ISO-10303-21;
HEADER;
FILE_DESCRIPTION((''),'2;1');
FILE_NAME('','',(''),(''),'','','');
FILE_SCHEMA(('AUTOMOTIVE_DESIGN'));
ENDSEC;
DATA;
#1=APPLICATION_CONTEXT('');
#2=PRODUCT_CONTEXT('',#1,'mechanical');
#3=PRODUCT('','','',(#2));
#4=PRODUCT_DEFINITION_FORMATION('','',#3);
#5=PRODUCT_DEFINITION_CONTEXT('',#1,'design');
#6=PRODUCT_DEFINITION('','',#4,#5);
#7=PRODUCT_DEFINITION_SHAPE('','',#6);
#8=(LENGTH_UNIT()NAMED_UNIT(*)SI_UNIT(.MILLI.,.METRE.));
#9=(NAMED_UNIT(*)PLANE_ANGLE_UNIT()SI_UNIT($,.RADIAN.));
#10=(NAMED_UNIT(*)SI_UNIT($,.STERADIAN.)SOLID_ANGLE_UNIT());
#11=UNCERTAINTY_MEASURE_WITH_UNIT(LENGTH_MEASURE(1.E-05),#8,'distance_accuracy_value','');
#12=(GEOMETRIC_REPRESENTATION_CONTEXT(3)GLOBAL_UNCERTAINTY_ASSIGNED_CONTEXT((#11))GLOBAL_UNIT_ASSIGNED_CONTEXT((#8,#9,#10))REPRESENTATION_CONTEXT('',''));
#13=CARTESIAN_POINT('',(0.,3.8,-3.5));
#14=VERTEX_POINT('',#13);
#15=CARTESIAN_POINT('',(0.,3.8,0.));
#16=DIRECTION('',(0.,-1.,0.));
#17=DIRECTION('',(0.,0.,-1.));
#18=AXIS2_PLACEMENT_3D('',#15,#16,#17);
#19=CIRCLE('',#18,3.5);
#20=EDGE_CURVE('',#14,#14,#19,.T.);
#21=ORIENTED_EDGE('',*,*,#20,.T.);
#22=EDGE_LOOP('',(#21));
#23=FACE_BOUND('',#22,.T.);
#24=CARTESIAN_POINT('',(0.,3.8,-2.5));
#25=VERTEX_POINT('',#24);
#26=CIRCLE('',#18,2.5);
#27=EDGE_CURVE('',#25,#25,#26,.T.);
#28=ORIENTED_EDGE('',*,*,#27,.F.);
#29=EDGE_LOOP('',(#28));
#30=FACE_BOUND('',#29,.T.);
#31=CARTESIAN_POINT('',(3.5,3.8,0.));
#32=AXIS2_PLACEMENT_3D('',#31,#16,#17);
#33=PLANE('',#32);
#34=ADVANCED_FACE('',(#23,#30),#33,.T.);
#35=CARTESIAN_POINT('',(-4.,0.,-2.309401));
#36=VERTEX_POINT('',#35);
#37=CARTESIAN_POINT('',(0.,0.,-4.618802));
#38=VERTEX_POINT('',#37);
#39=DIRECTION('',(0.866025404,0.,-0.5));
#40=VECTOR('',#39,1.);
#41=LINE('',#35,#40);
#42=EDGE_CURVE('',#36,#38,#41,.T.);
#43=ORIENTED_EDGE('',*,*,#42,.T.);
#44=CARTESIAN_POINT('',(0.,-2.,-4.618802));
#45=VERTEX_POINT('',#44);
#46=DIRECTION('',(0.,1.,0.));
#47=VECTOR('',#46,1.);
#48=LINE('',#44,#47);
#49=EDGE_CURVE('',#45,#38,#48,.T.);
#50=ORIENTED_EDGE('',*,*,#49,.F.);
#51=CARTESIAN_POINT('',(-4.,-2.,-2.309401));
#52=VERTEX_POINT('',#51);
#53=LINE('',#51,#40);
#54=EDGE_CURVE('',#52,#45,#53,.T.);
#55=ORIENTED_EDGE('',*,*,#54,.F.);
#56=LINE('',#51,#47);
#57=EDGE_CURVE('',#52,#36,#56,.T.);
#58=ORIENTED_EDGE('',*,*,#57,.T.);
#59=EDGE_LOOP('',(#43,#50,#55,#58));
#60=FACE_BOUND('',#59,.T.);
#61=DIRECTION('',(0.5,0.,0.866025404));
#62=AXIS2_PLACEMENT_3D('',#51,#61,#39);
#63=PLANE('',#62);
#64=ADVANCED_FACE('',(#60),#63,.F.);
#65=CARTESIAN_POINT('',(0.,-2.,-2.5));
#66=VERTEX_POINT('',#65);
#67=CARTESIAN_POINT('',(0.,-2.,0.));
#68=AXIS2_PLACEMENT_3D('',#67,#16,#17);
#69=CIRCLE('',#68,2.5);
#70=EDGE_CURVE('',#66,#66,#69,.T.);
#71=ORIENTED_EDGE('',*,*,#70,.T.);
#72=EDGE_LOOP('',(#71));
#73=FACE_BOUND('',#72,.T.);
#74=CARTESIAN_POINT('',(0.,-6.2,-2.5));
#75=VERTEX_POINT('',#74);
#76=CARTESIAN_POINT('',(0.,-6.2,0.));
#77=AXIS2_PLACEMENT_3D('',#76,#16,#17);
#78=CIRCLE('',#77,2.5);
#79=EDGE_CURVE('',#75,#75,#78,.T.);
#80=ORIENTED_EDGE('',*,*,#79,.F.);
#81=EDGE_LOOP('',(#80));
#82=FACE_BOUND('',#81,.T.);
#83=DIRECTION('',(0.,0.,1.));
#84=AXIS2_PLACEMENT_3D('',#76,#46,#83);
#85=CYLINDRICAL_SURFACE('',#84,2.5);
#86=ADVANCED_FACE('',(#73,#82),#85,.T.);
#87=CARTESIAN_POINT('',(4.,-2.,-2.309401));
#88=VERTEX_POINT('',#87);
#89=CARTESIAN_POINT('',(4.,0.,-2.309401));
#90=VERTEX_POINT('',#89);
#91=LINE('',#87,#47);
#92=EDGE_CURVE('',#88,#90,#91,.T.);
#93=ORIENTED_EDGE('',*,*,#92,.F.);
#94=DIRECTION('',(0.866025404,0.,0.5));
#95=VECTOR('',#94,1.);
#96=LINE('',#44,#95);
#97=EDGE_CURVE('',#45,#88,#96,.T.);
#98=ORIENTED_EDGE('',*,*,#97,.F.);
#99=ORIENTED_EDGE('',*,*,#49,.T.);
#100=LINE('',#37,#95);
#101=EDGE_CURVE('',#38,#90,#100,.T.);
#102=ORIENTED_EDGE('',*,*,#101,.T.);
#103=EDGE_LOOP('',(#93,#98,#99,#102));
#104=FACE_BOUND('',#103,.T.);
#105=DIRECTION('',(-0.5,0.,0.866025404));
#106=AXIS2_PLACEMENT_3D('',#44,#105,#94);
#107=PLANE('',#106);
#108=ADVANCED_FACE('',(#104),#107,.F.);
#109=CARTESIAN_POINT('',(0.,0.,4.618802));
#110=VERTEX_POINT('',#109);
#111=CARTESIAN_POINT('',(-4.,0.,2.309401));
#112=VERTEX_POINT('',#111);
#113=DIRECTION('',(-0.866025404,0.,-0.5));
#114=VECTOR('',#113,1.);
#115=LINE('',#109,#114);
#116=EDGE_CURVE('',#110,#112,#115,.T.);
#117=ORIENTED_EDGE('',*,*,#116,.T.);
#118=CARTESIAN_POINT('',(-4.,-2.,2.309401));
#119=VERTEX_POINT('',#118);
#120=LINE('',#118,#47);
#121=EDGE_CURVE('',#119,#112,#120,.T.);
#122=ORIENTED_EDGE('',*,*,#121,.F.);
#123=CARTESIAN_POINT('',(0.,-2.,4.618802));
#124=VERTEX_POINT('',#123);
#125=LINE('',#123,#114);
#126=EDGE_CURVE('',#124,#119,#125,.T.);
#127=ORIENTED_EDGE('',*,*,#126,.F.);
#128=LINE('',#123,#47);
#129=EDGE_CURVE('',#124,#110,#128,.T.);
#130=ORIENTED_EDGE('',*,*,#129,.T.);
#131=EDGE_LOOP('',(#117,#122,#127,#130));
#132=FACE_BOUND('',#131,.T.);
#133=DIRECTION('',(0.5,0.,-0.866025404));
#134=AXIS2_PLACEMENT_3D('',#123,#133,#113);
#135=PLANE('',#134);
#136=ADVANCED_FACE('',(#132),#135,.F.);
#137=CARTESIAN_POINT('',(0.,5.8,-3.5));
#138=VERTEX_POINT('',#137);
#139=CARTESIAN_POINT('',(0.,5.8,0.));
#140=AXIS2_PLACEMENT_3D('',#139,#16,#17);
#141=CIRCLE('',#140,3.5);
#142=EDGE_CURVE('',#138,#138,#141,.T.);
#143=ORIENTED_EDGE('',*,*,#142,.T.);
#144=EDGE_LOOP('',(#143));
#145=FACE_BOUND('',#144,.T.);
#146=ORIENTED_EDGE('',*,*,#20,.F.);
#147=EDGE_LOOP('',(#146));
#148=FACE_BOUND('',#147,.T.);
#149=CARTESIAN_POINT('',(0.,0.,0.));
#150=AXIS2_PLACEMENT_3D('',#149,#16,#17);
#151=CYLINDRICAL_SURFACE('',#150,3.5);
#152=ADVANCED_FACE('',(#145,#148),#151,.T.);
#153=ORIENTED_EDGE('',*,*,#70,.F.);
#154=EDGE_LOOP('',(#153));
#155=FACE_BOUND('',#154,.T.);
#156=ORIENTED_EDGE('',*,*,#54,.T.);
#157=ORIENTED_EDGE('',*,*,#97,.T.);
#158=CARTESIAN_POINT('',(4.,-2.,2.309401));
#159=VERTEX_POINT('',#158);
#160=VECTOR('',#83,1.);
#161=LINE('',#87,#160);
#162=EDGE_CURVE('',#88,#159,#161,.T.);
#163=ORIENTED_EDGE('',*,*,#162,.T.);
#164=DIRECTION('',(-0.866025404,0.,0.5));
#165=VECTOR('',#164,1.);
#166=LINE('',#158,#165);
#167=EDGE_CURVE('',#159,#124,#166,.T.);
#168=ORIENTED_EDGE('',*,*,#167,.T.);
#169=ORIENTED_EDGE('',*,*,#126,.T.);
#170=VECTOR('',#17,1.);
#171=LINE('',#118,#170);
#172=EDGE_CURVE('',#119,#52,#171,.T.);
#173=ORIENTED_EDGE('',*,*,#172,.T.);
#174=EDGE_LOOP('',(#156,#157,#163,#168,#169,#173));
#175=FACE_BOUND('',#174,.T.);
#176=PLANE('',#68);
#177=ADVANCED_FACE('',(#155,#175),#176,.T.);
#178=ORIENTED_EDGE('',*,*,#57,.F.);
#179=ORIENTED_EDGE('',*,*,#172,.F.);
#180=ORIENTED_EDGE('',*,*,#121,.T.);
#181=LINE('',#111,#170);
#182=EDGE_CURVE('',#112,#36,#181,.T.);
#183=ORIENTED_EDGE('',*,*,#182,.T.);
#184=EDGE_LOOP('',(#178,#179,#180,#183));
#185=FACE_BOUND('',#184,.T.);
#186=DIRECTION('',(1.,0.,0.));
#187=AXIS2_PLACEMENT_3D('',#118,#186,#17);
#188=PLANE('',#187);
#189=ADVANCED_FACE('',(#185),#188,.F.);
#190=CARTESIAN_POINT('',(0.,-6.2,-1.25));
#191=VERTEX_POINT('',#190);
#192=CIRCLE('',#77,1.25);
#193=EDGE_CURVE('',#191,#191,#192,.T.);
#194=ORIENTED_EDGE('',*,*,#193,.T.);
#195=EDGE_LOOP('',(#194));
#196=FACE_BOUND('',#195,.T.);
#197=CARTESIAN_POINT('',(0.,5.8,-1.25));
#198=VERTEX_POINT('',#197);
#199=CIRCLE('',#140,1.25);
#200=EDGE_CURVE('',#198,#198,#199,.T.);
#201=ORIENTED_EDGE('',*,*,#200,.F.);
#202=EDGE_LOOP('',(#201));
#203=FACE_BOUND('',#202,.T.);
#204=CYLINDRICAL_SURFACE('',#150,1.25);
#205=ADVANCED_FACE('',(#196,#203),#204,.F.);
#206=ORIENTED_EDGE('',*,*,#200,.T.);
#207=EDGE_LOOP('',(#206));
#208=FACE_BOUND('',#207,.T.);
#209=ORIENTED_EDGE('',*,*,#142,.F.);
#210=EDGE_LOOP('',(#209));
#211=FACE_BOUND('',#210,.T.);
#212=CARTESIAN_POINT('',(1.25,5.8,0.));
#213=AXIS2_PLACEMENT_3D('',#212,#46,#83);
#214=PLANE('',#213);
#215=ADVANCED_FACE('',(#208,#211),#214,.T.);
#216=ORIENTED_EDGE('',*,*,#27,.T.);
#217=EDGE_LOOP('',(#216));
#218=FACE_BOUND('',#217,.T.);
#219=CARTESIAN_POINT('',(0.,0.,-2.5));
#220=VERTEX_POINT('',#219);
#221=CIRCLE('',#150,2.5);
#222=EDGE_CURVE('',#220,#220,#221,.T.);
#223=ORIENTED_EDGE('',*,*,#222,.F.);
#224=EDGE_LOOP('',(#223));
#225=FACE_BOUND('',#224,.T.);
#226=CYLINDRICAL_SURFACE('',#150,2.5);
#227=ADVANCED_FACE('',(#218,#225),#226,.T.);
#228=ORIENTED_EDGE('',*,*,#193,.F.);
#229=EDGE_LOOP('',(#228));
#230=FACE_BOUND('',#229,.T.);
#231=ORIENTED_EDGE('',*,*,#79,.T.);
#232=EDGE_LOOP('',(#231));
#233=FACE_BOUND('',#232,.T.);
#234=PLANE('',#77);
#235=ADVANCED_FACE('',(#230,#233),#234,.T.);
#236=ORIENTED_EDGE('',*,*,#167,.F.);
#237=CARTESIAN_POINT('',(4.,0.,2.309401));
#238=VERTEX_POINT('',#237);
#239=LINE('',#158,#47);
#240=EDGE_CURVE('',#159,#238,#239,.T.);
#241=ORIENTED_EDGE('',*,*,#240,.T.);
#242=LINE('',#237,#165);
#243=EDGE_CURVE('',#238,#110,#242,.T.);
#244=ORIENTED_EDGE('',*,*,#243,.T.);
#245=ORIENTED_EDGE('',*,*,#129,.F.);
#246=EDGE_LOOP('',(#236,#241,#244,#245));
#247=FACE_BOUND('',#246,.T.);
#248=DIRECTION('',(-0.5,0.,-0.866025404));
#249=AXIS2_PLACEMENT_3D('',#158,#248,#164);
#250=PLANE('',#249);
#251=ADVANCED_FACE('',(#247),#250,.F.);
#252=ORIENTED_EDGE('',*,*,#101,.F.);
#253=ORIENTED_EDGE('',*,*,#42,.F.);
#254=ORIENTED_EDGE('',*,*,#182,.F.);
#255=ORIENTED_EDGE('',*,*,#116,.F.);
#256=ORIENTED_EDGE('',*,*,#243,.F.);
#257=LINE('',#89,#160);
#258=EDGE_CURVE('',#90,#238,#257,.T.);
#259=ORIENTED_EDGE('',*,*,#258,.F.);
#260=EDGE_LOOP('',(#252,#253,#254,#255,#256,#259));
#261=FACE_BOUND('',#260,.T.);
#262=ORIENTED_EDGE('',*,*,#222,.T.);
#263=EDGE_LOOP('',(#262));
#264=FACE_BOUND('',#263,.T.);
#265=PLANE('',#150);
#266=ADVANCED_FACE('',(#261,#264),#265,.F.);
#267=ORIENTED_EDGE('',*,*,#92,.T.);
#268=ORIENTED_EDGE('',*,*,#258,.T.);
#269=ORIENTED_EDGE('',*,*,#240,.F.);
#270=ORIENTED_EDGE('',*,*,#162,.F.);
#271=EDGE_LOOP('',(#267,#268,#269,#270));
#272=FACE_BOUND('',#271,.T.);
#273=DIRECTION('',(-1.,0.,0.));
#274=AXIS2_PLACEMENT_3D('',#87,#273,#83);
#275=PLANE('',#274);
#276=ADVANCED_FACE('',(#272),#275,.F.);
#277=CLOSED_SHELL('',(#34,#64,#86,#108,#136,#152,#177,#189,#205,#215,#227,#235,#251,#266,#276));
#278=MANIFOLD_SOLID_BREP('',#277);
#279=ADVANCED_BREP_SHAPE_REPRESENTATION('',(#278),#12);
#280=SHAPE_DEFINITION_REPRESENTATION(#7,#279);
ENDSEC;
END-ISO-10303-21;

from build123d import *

# Parameters (mm, degrees)
ESQUISSE2_R        = 1.25
BOSS_EXTRU_1_DEPTH = 2
ESQUISSE3_R        = 2.5
ESQUISSE3_R_2      = 1.25
BOSS_EXTRU_2_DEPTH = 4.2


with BuildPart() as part:
    # Esquisse1 → Révolution1 (revolve)
    with BuildSketch(Plane.XY, mode=Mode.PRIVATE) as r_volution1_sk:
        Polygon((1.25, 0), (1.25, 5.8), (3.5, 5.8), (3.5, 3.8), (2.5, 3.8), (2.5, 0), align=None)
    revolve(r_volution1_sk.sketch.rotate(Axis((0, 0, 0), (0, 1, 0)), 90), axis=Axis((0, 0, 0), (0, 1, 0)))

    # Esquisse2 → Boss.-Extru.1 (add)
    with BuildSketch(Plane.XZ):
        Polygon((4, 2.309401077), (0, 4.618802154), (-4, 2.309401077), (-4, -2.309401077), (0, -4.618802154), (4, -2.309401077), align=None)
        with Locations(Location((0, 0, 0), (0, 0, 270))):
            Circle(ESQUISSE2_R, mode=Mode.SUBTRACT)
    extrude(amount=BOSS_EXTRU_1_DEPTH)

    # Esquisse3 → Boss.-Extru.2 (add)
    with BuildSketch(Plane.XZ.offset(2)):
        with Locations(Location((0, 0, 0), (0, 0, 270))):
            Circle(ESQUISSE3_R)
        with Locations(Location((0, 0, 0), (0, 0, 270))):
            Circle(ESQUISSE3_R_2, mode=Mode.SUBTRACT)
    extrude(amount=BOSS_EXTRU_2_DEPTH)


solid = part.part
